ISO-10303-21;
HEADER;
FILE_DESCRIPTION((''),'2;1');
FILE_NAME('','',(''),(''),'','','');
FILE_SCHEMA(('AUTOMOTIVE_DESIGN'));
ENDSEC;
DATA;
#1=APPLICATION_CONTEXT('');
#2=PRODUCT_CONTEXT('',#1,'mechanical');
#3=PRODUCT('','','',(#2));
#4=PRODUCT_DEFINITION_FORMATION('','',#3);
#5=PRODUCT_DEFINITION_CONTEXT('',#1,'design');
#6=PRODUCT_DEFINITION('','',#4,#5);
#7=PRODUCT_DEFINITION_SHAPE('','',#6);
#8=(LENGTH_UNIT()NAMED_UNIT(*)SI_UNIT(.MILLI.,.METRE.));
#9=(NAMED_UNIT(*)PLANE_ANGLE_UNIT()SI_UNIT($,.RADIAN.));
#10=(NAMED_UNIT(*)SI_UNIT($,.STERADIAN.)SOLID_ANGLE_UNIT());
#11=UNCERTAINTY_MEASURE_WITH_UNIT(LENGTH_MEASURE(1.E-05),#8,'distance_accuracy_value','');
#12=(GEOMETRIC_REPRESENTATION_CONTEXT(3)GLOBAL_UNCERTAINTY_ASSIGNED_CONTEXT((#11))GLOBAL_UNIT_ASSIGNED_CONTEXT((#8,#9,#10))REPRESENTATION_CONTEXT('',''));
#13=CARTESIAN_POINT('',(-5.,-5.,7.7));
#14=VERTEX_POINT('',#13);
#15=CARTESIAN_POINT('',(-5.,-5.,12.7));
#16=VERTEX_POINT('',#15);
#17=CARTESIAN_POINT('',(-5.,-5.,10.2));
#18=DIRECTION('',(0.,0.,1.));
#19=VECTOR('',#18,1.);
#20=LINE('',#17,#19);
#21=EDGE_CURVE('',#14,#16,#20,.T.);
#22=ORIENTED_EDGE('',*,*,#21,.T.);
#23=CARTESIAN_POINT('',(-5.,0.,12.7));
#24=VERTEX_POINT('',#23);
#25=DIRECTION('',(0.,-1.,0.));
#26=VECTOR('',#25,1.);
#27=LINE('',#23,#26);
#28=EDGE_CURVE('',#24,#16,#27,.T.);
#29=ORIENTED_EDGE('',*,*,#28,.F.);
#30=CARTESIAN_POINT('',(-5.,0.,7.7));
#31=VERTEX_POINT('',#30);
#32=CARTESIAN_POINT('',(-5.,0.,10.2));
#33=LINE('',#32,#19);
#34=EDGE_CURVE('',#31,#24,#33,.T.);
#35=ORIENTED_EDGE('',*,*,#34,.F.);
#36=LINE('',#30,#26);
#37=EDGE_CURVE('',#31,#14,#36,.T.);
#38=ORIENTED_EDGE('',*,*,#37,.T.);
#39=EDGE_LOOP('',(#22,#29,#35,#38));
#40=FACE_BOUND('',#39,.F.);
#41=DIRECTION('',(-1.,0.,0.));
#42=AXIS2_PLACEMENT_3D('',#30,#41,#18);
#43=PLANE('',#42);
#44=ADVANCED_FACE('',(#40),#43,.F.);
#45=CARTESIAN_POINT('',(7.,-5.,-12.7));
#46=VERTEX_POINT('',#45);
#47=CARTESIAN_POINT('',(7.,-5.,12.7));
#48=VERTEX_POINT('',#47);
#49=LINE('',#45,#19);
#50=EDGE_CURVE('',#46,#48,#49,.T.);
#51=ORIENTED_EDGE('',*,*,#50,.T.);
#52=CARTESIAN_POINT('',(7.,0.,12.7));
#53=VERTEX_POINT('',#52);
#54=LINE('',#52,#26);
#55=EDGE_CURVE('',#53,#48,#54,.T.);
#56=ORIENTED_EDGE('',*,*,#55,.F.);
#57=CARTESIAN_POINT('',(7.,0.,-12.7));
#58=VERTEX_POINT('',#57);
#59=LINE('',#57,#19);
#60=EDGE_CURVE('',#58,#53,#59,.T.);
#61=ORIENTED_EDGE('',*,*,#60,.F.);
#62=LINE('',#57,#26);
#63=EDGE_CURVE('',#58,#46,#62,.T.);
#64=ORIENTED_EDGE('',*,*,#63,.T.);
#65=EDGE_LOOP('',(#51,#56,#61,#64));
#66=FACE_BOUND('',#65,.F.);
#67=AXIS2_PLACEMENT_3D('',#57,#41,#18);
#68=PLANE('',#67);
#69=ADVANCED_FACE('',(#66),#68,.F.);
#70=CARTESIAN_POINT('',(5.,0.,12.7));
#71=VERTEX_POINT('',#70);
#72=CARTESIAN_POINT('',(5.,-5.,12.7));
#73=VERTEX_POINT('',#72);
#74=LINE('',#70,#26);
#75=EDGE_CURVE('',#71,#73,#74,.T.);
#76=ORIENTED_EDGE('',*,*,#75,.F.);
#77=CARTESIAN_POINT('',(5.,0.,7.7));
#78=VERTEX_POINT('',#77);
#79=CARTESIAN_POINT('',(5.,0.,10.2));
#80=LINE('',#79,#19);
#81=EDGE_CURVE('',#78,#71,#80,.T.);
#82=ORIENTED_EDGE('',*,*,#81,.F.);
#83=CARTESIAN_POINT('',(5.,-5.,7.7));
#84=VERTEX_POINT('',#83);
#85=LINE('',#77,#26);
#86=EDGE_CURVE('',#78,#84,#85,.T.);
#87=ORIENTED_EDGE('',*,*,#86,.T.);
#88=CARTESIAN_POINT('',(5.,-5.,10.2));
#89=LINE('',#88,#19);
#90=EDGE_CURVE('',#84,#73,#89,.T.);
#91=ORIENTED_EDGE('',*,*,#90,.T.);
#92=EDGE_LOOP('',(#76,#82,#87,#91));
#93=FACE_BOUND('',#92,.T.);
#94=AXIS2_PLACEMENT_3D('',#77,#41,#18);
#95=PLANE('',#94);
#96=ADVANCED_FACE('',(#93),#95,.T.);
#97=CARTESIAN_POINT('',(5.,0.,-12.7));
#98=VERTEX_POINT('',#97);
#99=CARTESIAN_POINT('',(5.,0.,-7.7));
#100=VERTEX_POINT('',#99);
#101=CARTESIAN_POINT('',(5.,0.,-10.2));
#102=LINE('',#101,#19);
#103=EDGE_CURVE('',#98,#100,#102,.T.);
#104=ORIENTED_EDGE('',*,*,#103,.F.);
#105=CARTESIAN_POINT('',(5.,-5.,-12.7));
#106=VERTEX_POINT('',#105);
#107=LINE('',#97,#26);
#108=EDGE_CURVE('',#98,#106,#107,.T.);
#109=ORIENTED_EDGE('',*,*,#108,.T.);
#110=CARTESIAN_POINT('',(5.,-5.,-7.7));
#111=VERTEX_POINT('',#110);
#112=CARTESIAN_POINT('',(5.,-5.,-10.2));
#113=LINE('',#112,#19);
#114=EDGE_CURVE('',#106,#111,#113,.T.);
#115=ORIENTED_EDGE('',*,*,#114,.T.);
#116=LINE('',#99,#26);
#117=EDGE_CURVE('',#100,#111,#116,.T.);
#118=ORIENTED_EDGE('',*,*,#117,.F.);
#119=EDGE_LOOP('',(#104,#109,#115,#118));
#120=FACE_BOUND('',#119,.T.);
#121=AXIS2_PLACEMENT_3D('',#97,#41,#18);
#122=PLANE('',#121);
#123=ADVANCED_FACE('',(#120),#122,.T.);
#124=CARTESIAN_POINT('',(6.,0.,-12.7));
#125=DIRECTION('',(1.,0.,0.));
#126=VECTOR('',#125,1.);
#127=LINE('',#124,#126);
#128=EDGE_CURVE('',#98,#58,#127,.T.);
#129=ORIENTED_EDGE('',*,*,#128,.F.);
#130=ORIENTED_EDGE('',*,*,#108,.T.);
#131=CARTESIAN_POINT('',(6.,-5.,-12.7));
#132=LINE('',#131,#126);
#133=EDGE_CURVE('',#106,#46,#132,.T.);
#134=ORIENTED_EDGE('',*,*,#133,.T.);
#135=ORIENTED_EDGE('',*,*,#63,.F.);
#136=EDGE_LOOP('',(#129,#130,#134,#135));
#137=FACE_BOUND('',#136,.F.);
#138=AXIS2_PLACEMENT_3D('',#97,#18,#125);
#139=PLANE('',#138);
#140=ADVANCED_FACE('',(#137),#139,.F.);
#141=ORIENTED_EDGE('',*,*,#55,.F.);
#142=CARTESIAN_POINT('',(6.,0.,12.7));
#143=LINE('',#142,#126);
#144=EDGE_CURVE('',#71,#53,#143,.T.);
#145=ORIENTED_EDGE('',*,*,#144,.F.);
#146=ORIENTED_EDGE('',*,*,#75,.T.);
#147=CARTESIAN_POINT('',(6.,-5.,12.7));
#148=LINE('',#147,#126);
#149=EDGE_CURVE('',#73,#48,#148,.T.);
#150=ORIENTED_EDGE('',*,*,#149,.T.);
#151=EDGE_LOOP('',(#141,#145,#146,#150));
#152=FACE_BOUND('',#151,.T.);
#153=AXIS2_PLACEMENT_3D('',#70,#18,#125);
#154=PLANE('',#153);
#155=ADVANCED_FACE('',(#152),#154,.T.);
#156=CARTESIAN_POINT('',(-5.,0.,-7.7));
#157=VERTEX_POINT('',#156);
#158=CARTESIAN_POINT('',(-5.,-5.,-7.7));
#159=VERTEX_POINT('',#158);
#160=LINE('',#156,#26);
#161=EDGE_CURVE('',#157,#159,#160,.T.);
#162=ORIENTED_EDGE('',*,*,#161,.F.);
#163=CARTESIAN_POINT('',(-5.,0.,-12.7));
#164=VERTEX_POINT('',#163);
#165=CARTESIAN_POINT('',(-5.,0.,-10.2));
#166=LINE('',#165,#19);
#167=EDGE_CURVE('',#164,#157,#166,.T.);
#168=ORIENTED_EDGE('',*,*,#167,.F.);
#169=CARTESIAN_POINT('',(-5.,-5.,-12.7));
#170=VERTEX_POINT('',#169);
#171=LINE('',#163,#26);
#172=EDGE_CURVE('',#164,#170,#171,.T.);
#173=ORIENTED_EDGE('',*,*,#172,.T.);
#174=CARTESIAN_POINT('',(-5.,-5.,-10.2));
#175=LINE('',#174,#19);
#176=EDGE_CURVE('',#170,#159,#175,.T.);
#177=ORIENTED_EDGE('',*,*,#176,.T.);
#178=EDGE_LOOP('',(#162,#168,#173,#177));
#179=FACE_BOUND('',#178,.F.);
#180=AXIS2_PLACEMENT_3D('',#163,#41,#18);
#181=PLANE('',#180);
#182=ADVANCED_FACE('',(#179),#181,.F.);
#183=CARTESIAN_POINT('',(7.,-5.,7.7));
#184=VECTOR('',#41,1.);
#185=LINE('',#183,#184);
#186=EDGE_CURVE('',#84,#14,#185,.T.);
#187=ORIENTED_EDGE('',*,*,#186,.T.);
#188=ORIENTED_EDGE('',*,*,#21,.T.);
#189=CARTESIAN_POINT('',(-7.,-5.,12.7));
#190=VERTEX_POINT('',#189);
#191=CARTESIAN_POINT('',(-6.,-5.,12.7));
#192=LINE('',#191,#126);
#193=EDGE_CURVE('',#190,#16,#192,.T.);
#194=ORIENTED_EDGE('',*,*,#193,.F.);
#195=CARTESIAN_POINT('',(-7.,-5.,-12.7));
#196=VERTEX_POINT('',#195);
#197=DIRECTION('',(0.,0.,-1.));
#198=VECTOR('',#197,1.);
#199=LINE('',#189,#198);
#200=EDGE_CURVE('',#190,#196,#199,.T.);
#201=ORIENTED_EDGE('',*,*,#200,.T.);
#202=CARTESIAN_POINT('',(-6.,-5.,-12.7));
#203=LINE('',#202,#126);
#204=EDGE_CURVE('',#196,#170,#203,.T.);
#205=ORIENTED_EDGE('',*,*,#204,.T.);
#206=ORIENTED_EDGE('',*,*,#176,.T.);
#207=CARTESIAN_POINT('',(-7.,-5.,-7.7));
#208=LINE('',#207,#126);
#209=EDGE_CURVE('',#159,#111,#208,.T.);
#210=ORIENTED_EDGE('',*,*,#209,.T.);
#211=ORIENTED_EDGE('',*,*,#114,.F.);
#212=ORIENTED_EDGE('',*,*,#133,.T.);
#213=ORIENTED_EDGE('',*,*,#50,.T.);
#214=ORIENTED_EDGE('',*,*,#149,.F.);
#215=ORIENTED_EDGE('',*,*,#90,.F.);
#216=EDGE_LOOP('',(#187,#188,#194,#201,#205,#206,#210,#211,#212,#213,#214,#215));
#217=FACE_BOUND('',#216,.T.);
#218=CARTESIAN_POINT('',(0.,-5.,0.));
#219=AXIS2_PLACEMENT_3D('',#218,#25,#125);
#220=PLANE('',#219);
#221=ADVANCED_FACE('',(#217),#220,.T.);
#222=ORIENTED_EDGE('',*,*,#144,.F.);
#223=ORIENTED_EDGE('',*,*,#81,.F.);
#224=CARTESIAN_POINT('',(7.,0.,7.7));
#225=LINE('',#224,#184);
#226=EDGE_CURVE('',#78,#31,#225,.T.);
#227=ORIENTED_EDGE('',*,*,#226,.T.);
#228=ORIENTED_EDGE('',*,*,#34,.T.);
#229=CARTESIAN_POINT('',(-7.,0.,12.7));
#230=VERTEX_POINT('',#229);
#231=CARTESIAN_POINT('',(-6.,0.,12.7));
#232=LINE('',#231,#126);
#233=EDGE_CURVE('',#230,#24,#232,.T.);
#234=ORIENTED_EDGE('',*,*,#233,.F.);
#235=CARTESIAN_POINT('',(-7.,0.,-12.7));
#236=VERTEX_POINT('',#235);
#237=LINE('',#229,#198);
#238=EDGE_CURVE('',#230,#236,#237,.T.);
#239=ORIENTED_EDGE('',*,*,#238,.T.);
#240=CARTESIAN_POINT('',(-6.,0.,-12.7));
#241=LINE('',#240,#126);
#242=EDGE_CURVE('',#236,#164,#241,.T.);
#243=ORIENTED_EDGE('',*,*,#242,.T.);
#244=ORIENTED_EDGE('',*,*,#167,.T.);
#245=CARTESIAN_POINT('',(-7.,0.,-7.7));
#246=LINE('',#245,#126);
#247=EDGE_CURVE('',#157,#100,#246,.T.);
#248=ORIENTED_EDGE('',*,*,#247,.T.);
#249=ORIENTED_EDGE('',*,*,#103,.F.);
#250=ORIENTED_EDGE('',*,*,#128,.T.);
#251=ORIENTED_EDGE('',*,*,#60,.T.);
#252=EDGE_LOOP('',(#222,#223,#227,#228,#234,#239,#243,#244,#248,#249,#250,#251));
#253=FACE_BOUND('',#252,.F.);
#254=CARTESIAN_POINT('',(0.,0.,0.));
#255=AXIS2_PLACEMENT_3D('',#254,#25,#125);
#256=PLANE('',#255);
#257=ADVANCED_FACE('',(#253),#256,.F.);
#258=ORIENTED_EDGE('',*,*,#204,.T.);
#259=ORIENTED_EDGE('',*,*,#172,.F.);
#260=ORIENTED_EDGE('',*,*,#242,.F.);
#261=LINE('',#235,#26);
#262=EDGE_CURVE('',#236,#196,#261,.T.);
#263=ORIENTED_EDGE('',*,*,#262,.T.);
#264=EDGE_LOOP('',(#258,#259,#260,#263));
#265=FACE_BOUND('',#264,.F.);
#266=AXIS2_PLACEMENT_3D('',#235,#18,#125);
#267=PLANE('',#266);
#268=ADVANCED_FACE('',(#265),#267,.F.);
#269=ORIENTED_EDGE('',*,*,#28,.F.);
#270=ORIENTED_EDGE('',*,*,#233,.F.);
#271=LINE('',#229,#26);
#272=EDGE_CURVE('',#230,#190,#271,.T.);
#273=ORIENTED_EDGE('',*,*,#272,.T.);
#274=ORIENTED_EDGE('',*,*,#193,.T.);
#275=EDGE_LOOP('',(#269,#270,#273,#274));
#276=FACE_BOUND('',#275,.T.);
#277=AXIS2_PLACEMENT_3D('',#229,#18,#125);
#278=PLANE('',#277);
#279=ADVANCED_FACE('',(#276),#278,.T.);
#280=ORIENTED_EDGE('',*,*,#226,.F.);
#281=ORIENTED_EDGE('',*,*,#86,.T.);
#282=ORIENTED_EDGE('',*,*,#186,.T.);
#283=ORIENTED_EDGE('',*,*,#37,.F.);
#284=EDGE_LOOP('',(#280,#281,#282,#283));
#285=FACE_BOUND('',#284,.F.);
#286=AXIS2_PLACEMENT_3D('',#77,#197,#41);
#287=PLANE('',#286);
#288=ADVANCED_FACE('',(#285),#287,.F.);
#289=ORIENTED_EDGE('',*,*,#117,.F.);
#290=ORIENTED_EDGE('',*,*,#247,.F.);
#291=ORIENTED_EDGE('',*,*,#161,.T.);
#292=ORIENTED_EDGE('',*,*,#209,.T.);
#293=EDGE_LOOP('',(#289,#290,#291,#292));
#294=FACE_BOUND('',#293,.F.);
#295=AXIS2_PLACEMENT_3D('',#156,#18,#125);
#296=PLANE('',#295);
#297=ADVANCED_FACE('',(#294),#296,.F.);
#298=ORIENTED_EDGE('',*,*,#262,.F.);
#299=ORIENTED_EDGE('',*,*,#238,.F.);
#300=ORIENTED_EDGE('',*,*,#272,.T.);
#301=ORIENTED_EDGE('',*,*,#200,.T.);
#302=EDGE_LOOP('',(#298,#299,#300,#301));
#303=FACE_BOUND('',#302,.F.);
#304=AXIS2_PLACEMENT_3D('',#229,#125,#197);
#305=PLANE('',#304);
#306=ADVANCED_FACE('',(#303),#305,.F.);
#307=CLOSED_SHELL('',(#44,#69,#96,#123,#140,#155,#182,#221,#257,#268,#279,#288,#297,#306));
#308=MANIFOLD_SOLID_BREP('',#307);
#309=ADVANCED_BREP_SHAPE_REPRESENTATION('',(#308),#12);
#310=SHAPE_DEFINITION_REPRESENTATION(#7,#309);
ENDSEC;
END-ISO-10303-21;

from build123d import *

# Parameters (mm, degrees)
F0_W     = 2
F0_H     = 5
F1_DEPTH = 5


with BuildPart() as f1:
    # F0 (on Front) → F1 (new body)
    with BuildSketch(Plane.XZ):
        Polygon((7, -7.7), (7, 7.7), (5, 7.7), (-5, 7.7), (-7, 7.7), (-7, -7.7), (-5, -7.7), (5, -7.7), align=None)
        with Locations((6, 10.2)):
            Rectangle(F0_W, F0_H)
        with Locations((6, -10.2)):
            Rectangle(F0_W, F0_H)
        with Locations((-6, 10.2)):
            Rectangle(F0_W, F0_H)
        with Locations((-6, -10.2)):
            Rectangle(F0_W, F0_H)
    extrude(amount=F1_DEPTH)


solid = f1.part
